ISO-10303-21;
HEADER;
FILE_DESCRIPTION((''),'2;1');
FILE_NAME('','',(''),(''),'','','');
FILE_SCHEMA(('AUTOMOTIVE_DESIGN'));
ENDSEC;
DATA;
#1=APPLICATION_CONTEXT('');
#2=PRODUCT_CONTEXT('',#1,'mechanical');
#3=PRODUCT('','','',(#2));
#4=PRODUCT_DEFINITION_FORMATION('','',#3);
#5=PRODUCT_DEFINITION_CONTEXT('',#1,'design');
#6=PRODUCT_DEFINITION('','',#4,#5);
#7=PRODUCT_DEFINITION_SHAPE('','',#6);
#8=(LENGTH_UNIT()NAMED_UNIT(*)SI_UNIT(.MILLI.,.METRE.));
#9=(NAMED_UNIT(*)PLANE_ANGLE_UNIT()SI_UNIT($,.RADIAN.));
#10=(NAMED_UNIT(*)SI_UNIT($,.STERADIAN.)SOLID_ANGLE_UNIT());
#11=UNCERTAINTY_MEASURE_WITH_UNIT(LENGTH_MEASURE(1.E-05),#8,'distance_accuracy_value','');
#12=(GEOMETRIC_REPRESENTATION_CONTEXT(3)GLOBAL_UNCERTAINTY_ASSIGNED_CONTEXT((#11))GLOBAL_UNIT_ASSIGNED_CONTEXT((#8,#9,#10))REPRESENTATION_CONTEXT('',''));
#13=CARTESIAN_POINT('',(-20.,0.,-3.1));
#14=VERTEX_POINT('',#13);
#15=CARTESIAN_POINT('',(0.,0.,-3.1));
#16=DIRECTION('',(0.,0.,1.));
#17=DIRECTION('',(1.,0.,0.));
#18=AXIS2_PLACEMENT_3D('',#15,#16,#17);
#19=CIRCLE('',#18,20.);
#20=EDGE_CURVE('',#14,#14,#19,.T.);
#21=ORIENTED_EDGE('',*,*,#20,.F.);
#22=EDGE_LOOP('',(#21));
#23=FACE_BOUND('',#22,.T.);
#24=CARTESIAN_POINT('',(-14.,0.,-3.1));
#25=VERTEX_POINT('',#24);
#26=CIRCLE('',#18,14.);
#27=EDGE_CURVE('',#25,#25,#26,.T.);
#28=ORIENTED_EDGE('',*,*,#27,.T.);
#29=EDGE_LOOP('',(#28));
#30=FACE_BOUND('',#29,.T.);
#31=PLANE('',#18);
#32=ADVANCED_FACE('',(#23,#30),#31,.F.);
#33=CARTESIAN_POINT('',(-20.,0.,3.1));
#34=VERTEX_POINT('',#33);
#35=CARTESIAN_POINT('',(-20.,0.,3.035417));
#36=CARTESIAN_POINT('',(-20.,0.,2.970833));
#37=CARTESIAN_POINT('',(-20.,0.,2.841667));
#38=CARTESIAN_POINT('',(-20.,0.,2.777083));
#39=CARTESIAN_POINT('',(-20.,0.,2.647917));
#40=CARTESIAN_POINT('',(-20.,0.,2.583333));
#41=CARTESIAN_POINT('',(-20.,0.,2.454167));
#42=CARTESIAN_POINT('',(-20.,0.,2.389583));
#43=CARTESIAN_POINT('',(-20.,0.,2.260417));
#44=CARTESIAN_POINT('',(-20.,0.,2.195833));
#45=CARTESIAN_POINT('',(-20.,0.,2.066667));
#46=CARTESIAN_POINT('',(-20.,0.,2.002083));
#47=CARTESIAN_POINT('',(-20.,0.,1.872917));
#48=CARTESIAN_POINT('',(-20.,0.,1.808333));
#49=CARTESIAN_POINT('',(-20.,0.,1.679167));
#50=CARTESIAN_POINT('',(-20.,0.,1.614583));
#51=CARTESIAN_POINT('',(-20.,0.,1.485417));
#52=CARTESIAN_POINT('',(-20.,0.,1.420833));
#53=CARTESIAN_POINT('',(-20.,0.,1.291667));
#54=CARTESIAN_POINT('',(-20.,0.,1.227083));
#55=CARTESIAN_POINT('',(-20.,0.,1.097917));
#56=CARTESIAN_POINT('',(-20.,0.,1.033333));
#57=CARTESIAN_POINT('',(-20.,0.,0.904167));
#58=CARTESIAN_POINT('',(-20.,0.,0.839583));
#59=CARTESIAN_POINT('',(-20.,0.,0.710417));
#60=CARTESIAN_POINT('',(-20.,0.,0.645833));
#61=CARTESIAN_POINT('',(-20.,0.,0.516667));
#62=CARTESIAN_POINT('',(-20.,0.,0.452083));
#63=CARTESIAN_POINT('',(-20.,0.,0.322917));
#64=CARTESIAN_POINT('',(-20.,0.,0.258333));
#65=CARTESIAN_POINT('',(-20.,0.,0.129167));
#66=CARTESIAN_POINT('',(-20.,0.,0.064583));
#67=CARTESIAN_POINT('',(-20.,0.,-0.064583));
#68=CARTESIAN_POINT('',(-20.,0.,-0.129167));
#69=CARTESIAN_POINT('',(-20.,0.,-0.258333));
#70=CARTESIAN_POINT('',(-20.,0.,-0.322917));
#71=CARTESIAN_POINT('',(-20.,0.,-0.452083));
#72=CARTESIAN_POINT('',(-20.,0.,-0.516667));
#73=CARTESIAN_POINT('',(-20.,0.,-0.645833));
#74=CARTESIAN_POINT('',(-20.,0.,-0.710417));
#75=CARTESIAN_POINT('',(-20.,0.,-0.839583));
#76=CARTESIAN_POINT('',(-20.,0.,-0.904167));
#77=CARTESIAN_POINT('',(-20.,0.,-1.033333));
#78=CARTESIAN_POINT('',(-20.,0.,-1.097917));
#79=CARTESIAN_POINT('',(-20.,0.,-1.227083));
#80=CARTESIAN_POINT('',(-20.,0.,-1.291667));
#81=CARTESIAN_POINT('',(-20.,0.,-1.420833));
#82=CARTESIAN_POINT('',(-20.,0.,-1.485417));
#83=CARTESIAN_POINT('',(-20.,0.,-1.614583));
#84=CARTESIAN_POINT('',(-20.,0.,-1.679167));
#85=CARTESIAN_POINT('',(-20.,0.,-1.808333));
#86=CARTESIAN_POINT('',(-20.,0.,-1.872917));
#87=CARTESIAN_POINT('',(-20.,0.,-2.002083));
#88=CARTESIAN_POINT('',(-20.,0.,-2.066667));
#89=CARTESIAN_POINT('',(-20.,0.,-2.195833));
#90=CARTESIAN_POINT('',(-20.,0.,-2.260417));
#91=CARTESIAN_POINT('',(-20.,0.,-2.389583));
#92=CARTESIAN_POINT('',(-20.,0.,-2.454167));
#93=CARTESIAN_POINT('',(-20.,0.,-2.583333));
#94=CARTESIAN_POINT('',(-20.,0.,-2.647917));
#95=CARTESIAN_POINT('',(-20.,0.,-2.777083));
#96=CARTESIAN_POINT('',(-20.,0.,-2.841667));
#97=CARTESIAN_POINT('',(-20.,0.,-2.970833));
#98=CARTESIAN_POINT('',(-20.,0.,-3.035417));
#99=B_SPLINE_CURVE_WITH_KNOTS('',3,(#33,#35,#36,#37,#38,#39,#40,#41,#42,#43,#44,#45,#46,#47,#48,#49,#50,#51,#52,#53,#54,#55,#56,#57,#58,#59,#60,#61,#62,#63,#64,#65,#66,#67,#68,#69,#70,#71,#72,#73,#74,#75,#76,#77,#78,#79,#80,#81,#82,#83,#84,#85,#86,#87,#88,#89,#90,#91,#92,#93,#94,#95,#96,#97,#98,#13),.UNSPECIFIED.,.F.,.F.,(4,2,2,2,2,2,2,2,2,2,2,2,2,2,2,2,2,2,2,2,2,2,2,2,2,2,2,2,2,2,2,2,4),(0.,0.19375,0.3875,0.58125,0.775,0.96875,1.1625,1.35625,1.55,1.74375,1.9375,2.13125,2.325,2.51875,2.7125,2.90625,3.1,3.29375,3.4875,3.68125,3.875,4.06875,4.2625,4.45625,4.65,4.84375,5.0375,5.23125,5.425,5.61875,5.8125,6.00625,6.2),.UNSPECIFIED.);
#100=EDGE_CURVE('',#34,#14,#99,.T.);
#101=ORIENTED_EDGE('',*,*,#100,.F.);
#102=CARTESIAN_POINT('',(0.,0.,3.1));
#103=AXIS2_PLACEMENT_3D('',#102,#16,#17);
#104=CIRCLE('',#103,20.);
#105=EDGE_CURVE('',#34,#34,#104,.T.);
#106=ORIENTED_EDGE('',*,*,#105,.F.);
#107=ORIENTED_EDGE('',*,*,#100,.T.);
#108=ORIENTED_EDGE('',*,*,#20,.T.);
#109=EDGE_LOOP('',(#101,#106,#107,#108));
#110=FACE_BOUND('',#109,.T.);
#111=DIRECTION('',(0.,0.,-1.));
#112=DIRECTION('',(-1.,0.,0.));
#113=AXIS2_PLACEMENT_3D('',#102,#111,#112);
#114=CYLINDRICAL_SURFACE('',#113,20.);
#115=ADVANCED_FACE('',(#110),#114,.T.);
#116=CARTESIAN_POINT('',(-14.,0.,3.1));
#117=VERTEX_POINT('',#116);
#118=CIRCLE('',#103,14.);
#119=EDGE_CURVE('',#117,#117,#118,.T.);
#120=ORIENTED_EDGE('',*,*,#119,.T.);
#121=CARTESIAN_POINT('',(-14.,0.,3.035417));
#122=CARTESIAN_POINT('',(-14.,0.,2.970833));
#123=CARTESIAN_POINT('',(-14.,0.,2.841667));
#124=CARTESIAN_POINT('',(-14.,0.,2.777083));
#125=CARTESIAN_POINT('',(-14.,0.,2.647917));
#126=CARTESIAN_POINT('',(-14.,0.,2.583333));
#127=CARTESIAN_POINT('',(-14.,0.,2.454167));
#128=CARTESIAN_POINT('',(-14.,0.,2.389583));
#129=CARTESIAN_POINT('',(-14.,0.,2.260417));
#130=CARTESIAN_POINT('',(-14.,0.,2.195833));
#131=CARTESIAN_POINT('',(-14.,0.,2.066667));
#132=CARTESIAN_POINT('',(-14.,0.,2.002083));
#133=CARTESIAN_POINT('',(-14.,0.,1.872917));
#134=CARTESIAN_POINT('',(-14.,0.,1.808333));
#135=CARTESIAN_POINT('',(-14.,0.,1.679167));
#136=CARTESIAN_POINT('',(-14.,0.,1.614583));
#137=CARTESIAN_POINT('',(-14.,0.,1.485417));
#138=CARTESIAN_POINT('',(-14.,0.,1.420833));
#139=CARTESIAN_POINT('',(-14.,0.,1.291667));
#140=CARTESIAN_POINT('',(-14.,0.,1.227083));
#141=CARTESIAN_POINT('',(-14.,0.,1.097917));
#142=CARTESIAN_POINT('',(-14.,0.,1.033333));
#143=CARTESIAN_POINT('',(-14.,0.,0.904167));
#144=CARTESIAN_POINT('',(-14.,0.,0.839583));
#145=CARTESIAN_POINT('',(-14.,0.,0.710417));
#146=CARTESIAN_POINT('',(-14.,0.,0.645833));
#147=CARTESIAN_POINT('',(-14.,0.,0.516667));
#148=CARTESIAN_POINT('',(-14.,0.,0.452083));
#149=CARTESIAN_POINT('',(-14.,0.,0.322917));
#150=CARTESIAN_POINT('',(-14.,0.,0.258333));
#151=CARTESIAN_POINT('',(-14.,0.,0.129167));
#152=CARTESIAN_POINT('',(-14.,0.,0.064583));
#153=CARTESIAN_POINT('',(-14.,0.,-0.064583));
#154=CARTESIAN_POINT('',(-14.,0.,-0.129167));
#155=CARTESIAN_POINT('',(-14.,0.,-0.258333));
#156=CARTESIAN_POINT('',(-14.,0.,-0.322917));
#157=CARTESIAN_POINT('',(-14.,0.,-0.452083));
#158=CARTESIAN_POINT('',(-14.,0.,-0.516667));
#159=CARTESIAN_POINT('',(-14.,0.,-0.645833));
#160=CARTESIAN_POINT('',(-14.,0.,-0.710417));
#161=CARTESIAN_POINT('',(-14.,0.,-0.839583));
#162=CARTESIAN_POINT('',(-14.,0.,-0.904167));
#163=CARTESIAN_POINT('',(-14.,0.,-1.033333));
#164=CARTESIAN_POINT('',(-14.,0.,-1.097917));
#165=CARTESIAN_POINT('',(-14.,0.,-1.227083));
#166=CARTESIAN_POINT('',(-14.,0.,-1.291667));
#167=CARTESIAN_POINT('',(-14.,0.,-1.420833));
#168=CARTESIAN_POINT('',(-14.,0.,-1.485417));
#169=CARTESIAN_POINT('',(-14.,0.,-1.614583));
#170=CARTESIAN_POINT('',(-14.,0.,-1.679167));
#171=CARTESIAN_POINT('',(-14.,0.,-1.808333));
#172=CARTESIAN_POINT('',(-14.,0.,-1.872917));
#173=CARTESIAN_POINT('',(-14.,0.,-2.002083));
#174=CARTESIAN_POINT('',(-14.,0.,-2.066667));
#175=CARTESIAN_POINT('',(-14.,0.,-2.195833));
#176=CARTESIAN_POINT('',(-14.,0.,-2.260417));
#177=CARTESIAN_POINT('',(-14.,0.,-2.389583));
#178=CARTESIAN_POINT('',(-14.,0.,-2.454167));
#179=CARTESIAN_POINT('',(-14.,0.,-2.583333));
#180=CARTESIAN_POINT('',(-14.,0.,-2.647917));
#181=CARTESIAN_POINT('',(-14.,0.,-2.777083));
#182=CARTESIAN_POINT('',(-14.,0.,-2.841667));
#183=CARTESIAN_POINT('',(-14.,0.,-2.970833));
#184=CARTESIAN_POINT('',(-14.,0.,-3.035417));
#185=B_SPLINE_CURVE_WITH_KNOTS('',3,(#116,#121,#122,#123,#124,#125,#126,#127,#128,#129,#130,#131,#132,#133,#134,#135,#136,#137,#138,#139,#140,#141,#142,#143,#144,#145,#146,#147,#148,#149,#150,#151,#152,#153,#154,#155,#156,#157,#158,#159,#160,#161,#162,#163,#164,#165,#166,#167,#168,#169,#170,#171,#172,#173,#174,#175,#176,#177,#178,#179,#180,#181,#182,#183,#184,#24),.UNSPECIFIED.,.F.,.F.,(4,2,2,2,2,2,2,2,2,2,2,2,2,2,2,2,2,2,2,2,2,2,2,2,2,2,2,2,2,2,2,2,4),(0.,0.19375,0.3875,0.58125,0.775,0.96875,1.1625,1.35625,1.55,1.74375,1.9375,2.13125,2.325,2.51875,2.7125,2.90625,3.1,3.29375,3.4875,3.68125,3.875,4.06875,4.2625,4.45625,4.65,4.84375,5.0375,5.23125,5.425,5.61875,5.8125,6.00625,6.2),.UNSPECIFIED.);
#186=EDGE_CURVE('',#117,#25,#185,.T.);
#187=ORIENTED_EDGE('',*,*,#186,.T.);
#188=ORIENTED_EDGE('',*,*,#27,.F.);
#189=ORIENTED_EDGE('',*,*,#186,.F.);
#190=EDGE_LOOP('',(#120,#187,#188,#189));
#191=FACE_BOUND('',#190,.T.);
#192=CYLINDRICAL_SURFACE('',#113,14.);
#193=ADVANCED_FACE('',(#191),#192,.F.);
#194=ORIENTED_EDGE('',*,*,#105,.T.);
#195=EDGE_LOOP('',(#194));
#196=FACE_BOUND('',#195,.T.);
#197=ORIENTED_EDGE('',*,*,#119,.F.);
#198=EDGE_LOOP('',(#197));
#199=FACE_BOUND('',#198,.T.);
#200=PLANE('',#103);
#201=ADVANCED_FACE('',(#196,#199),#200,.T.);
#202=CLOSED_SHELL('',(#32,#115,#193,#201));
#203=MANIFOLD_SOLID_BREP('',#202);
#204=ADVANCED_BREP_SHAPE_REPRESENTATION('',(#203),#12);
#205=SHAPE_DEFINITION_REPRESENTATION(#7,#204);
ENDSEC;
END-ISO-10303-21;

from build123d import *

# Parameters (mm, degrees)
SKETCH1_R           = 20
SKETCH1_R_2         = 14
BOSS_EXTRUDE1_DEPTH = 3.1


with BuildPart() as part:
    # Sketch1 → Boss-Extrude1 (new, symmetric)
    with BuildSketch(Plane.XY):
        with Locations(Location((0, 0, 0), (0, 0, 180))):
            Circle(SKETCH1_R)
        with Locations(Location((0, 0, 0), (0, 0, 180))):
            Circle(SKETCH1_R_2, mode=Mode.SUBTRACT)
    extrude(amount=BOSS_EXTRUDE1_DEPTH, both=True)


solid = part.part
